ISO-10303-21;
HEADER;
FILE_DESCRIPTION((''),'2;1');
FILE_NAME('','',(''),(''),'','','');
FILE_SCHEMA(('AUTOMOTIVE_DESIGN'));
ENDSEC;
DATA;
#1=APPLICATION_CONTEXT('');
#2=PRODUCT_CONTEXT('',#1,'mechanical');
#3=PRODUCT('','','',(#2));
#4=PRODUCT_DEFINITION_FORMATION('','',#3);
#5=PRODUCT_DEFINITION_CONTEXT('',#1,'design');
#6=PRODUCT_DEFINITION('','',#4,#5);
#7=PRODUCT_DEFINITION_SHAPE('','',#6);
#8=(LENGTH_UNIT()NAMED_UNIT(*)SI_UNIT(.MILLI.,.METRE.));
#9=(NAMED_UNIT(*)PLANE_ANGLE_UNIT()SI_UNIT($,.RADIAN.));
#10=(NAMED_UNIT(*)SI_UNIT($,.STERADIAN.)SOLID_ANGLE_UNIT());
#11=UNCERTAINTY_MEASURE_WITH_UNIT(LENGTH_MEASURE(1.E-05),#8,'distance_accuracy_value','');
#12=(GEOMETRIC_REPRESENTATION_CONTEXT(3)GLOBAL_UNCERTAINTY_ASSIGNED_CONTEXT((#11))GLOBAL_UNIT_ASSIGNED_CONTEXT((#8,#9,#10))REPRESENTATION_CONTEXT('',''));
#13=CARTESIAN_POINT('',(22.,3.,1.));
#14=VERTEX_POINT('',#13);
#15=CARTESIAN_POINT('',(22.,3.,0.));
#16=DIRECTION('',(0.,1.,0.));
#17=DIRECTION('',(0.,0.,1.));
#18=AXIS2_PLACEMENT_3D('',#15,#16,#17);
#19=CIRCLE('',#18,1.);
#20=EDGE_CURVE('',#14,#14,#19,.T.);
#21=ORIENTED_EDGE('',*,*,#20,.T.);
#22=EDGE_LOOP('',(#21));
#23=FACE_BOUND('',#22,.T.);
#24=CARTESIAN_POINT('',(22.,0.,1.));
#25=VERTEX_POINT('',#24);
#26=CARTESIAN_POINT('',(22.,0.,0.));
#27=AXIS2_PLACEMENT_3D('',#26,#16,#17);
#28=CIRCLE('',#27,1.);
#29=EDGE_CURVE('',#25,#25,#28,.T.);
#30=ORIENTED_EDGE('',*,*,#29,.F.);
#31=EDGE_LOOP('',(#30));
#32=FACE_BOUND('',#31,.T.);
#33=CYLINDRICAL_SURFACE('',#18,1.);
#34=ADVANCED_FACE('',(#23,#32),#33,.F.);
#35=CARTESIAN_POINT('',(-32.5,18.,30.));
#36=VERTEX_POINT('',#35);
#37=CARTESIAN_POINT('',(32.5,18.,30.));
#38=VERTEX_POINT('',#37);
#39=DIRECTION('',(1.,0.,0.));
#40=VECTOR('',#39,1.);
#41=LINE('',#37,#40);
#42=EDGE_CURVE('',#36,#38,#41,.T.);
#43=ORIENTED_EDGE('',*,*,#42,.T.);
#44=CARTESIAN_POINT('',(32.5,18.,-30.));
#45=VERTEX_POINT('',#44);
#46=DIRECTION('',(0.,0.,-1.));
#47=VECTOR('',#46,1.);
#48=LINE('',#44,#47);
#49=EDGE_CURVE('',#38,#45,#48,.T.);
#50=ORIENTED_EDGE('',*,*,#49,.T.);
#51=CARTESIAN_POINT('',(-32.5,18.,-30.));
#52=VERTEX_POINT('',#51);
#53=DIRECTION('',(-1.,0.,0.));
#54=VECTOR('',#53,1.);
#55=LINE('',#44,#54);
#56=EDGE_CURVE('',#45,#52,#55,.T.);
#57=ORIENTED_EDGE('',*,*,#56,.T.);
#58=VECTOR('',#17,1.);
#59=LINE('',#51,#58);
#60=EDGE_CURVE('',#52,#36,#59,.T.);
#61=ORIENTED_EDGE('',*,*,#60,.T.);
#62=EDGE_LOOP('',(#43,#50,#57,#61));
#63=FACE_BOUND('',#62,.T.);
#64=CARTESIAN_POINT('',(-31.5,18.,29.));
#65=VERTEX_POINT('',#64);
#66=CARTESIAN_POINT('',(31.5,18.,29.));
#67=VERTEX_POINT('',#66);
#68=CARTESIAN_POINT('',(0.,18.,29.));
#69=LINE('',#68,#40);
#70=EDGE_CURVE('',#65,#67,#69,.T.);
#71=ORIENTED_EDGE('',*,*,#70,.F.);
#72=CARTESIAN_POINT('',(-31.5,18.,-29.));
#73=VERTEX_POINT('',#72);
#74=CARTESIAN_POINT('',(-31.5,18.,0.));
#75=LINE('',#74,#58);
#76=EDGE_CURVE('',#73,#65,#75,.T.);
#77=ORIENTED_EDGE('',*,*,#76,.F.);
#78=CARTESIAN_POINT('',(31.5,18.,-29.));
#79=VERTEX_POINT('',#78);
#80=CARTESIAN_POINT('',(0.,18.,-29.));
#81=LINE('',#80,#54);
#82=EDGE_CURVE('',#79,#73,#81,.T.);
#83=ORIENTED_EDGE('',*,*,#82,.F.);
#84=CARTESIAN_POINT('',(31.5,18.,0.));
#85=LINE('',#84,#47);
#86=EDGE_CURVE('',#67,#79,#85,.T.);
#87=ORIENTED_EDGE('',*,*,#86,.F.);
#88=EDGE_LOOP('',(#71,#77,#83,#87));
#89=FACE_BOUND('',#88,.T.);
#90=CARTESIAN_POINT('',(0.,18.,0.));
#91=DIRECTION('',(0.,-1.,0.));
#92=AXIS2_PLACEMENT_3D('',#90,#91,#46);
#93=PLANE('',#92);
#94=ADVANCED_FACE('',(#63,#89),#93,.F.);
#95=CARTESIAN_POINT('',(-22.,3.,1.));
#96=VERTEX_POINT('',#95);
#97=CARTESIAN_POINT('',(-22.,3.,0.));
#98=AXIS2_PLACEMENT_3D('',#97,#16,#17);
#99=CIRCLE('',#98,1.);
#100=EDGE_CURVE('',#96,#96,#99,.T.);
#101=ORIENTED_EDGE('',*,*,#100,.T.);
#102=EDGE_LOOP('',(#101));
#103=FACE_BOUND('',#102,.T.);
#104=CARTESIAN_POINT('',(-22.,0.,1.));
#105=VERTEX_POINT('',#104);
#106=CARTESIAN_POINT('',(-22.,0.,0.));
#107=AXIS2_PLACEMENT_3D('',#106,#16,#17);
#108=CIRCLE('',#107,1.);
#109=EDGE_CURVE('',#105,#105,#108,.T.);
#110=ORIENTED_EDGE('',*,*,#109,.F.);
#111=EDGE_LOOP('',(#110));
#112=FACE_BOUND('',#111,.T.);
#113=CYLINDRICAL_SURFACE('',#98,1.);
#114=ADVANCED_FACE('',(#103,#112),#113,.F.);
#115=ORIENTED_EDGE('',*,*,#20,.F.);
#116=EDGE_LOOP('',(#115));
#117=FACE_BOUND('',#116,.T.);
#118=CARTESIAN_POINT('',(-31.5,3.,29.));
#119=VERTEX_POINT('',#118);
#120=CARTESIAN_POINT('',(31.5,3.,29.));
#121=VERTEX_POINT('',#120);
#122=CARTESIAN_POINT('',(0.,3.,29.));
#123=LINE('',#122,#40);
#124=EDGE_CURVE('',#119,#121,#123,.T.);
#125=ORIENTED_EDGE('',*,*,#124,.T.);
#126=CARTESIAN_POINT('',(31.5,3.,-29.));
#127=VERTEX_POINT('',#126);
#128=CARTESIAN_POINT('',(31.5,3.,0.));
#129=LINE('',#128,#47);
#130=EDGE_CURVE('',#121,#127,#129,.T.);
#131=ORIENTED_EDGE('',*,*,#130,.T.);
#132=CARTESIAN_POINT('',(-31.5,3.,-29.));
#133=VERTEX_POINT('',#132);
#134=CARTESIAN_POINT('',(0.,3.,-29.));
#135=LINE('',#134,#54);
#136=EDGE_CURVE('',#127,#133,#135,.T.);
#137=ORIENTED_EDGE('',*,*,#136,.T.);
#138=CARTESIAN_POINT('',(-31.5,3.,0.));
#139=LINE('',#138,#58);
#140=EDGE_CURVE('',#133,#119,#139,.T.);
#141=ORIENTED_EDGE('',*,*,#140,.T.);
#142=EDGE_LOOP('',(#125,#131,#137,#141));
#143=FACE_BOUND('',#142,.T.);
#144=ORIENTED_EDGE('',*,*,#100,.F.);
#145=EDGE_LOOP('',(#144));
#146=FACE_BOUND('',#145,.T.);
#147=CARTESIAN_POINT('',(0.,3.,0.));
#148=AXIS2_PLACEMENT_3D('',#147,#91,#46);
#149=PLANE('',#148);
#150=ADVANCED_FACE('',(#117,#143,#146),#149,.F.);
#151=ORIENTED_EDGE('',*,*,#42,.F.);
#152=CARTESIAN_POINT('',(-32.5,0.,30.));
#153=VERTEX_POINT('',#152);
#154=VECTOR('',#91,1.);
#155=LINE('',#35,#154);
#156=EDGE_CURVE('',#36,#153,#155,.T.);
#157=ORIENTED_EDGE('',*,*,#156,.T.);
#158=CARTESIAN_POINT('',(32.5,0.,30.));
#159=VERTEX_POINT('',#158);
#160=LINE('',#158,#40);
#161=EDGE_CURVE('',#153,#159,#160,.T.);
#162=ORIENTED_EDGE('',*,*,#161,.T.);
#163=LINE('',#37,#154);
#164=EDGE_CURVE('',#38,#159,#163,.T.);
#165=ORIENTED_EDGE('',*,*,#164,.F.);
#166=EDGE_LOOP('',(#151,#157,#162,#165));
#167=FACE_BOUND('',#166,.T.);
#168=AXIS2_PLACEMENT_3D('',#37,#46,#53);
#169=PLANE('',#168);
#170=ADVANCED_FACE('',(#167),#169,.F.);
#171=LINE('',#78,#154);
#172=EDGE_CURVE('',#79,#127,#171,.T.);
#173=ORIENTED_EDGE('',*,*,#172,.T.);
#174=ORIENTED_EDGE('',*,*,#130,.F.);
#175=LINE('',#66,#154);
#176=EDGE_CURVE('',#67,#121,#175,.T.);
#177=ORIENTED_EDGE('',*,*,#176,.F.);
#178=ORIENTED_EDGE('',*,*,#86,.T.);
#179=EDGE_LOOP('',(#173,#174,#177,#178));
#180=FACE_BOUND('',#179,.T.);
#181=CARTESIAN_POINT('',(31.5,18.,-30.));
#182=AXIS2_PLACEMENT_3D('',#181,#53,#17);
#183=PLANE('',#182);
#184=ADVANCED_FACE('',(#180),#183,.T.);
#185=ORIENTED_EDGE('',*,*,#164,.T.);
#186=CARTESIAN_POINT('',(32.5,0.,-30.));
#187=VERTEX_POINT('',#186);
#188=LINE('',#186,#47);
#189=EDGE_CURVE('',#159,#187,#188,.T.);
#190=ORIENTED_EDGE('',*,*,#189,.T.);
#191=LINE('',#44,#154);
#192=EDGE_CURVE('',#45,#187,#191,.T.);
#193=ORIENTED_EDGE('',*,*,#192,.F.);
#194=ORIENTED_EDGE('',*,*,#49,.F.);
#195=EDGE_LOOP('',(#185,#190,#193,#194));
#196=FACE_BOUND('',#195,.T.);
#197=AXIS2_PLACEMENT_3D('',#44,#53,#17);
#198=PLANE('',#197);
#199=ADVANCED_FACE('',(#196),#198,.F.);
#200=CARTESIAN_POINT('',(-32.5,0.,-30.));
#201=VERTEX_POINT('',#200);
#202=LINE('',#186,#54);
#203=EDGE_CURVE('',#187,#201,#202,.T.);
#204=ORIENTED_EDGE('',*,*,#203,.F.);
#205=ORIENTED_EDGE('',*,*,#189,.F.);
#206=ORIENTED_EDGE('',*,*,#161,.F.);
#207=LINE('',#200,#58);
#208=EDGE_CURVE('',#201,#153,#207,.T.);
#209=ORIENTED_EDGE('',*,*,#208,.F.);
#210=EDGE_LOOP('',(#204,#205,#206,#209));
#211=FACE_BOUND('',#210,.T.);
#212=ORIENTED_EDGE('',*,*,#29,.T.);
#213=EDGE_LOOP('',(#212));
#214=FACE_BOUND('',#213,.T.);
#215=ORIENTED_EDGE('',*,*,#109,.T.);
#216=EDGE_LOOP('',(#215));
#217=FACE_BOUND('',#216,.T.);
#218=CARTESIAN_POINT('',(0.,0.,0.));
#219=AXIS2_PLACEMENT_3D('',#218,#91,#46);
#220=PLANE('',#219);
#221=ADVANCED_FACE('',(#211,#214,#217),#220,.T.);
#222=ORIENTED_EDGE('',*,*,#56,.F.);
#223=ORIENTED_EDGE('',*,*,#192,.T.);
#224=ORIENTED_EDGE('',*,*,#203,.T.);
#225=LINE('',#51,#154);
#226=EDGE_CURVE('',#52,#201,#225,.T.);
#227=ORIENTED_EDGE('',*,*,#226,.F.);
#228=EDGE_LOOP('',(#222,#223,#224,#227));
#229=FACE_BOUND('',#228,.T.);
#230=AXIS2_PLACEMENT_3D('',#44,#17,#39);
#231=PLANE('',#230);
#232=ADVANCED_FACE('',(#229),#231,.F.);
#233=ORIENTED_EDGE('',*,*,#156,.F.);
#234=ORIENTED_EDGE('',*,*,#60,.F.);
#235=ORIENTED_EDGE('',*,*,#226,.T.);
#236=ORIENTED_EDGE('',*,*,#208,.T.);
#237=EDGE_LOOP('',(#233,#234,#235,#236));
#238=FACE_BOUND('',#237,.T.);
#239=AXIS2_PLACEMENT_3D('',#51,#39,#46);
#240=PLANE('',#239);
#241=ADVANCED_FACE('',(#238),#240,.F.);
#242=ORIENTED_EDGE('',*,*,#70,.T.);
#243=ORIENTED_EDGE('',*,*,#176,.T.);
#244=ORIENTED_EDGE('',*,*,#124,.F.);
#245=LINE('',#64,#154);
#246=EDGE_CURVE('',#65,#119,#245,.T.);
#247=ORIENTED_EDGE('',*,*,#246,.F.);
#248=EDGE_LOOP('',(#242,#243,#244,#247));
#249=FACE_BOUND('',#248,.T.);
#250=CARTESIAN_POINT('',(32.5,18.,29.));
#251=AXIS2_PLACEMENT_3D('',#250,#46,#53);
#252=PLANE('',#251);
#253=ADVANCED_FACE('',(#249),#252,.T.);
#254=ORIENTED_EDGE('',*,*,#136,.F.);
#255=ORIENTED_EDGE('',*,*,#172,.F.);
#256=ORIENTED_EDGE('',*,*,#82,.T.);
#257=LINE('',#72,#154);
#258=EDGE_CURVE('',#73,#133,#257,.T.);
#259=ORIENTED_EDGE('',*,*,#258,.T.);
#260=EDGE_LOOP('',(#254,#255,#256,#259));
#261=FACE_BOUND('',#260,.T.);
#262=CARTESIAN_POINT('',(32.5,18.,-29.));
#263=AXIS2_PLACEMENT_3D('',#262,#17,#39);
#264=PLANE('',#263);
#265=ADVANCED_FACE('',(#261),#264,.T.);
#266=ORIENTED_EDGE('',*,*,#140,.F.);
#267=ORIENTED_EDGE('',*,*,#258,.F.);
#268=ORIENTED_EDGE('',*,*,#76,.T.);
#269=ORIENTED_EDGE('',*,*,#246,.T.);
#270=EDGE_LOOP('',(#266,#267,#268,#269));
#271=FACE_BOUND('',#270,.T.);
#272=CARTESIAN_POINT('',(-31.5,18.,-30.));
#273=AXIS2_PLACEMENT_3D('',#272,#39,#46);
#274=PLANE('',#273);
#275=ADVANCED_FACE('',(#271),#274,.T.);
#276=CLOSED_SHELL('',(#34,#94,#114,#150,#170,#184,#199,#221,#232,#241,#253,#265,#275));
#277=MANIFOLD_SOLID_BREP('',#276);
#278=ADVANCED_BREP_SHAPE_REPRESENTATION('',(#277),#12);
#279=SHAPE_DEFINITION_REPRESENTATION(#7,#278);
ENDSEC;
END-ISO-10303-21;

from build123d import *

# Parameters (mm, degrees)
SKETCH1_W                 = 65
SKETCH1_H                 = 60
BOSS_EXTRUDE1_DEPTH       = 18
SHELL1_T                  = -3
SHELL1_THICKNESS_2_FACE_W = 59
SHELL1_THICKNESS_2_FACE_H = 15
SHELL1_THICKNESS_2_DEPTH  = 2
SHELL1_THICKNESS_3_FACE_W = 56
SHELL1_THICKNESS_3_FACE_H = 15
SHELL1_THICKNESS_3_DEPTH  = 2
SHELL1_THICKNESS_4_FACE_W = 56
SHELL1_THICKNESS_4_FACE_H = 15
SHELL1_THICKNESS_4_DEPTH  = 2
SHELL1_THICKNESS_5_FACE_W = 63
SHELL1_THICKNESS_5_FACE_H = 15
SHELL1_THICKNESS_5_DEPTH  = 2
F_2_0MM_DOWEL_HOLE1_D     = 2


with BuildPart() as part:
    # Sketch1 → Boss-Extrude1 (new body)
    with BuildSketch(Plane(origin=(0, 0, 0), x_dir=(1, 0, 0), z_dir=(0, 1, 0))):
        Rectangle(SKETCH1_W, SKETCH1_H)
    extrude(amount=BOSS_EXTRUDE1_DEPTH)

    # Shell1
    shell1_openings = [part.faces().sort_by_distance(p)[0] for p in [
        (0, 18, 0),
    ]]
    offset(amount=SHELL1_T, openings=shell1_openings, kind=Kind.INTERSECTION)

    # Shell1 thickness 2 face (on inner face of the shell) → Shell1 thickness 2 (cut)
    with BuildSketch(Plane(origin=(0, 10.5, 27), x_dir=(1, 0, 0), z_dir=(0, 0, 1))):
        Rectangle(SHELL1_THICKNESS_2_FACE_W, SHELL1_THICKNESS_2_FACE_H)
    extrude(amount=SHELL1_THICKNESS_2_DEPTH, mode=Mode.SUBTRACT)

    # Shell1 thickness 3 face (on inner face of the shell) → Shell1 thickness 3 (cut)
    with BuildSketch(Plane(origin=(29.5, 10.5, 1), x_dir=(0, 0, 1), z_dir=(1, 0, 0))):
        Rectangle(SHELL1_THICKNESS_3_FACE_W, SHELL1_THICKNESS_3_FACE_H)
    extrude(amount=SHELL1_THICKNESS_3_DEPTH, mode=Mode.SUBTRACT)

    # Shell1 thickness 4 face (on inner face of the shell) → Shell1 thickness 4 (cut)
    with BuildSketch(Plane(origin=(-29.5, 10.5, 1), x_dir=(0, 0, -1), z_dir=(-1, 0, 0))):
        Rectangle(SHELL1_THICKNESS_4_FACE_W, SHELL1_THICKNESS_4_FACE_H)
    extrude(amount=SHELL1_THICKNESS_4_DEPTH, mode=Mode.SUBTRACT)

    # Shell1 thickness 5 face (on inner face of the shell) → Shell1 thickness 5 (cut)
    with BuildSketch(Plane(origin=(0, 10.5, -27), x_dir=(-1, 0, 0), z_dir=(0, 0, -1))):
        Rectangle(SHELL1_THICKNESS_5_FACE_W, SHELL1_THICKNESS_5_FACE_H)
    extrude(amount=SHELL1_THICKNESS_5_DEPTH, mode=Mode.SUBTRACT)

    # Ø2.0mm Dowel Hole1 (through all)
    with Locations(Plane(origin=(0, 3, 0), x_dir=(1, 0, 0), z_dir=(0, 1, 0))):
        with Locations((-22, 0), (22, 0)):
            Hole(F_2_0MM_DOWEL_HOLE1_D / 2)


solid = part.part
